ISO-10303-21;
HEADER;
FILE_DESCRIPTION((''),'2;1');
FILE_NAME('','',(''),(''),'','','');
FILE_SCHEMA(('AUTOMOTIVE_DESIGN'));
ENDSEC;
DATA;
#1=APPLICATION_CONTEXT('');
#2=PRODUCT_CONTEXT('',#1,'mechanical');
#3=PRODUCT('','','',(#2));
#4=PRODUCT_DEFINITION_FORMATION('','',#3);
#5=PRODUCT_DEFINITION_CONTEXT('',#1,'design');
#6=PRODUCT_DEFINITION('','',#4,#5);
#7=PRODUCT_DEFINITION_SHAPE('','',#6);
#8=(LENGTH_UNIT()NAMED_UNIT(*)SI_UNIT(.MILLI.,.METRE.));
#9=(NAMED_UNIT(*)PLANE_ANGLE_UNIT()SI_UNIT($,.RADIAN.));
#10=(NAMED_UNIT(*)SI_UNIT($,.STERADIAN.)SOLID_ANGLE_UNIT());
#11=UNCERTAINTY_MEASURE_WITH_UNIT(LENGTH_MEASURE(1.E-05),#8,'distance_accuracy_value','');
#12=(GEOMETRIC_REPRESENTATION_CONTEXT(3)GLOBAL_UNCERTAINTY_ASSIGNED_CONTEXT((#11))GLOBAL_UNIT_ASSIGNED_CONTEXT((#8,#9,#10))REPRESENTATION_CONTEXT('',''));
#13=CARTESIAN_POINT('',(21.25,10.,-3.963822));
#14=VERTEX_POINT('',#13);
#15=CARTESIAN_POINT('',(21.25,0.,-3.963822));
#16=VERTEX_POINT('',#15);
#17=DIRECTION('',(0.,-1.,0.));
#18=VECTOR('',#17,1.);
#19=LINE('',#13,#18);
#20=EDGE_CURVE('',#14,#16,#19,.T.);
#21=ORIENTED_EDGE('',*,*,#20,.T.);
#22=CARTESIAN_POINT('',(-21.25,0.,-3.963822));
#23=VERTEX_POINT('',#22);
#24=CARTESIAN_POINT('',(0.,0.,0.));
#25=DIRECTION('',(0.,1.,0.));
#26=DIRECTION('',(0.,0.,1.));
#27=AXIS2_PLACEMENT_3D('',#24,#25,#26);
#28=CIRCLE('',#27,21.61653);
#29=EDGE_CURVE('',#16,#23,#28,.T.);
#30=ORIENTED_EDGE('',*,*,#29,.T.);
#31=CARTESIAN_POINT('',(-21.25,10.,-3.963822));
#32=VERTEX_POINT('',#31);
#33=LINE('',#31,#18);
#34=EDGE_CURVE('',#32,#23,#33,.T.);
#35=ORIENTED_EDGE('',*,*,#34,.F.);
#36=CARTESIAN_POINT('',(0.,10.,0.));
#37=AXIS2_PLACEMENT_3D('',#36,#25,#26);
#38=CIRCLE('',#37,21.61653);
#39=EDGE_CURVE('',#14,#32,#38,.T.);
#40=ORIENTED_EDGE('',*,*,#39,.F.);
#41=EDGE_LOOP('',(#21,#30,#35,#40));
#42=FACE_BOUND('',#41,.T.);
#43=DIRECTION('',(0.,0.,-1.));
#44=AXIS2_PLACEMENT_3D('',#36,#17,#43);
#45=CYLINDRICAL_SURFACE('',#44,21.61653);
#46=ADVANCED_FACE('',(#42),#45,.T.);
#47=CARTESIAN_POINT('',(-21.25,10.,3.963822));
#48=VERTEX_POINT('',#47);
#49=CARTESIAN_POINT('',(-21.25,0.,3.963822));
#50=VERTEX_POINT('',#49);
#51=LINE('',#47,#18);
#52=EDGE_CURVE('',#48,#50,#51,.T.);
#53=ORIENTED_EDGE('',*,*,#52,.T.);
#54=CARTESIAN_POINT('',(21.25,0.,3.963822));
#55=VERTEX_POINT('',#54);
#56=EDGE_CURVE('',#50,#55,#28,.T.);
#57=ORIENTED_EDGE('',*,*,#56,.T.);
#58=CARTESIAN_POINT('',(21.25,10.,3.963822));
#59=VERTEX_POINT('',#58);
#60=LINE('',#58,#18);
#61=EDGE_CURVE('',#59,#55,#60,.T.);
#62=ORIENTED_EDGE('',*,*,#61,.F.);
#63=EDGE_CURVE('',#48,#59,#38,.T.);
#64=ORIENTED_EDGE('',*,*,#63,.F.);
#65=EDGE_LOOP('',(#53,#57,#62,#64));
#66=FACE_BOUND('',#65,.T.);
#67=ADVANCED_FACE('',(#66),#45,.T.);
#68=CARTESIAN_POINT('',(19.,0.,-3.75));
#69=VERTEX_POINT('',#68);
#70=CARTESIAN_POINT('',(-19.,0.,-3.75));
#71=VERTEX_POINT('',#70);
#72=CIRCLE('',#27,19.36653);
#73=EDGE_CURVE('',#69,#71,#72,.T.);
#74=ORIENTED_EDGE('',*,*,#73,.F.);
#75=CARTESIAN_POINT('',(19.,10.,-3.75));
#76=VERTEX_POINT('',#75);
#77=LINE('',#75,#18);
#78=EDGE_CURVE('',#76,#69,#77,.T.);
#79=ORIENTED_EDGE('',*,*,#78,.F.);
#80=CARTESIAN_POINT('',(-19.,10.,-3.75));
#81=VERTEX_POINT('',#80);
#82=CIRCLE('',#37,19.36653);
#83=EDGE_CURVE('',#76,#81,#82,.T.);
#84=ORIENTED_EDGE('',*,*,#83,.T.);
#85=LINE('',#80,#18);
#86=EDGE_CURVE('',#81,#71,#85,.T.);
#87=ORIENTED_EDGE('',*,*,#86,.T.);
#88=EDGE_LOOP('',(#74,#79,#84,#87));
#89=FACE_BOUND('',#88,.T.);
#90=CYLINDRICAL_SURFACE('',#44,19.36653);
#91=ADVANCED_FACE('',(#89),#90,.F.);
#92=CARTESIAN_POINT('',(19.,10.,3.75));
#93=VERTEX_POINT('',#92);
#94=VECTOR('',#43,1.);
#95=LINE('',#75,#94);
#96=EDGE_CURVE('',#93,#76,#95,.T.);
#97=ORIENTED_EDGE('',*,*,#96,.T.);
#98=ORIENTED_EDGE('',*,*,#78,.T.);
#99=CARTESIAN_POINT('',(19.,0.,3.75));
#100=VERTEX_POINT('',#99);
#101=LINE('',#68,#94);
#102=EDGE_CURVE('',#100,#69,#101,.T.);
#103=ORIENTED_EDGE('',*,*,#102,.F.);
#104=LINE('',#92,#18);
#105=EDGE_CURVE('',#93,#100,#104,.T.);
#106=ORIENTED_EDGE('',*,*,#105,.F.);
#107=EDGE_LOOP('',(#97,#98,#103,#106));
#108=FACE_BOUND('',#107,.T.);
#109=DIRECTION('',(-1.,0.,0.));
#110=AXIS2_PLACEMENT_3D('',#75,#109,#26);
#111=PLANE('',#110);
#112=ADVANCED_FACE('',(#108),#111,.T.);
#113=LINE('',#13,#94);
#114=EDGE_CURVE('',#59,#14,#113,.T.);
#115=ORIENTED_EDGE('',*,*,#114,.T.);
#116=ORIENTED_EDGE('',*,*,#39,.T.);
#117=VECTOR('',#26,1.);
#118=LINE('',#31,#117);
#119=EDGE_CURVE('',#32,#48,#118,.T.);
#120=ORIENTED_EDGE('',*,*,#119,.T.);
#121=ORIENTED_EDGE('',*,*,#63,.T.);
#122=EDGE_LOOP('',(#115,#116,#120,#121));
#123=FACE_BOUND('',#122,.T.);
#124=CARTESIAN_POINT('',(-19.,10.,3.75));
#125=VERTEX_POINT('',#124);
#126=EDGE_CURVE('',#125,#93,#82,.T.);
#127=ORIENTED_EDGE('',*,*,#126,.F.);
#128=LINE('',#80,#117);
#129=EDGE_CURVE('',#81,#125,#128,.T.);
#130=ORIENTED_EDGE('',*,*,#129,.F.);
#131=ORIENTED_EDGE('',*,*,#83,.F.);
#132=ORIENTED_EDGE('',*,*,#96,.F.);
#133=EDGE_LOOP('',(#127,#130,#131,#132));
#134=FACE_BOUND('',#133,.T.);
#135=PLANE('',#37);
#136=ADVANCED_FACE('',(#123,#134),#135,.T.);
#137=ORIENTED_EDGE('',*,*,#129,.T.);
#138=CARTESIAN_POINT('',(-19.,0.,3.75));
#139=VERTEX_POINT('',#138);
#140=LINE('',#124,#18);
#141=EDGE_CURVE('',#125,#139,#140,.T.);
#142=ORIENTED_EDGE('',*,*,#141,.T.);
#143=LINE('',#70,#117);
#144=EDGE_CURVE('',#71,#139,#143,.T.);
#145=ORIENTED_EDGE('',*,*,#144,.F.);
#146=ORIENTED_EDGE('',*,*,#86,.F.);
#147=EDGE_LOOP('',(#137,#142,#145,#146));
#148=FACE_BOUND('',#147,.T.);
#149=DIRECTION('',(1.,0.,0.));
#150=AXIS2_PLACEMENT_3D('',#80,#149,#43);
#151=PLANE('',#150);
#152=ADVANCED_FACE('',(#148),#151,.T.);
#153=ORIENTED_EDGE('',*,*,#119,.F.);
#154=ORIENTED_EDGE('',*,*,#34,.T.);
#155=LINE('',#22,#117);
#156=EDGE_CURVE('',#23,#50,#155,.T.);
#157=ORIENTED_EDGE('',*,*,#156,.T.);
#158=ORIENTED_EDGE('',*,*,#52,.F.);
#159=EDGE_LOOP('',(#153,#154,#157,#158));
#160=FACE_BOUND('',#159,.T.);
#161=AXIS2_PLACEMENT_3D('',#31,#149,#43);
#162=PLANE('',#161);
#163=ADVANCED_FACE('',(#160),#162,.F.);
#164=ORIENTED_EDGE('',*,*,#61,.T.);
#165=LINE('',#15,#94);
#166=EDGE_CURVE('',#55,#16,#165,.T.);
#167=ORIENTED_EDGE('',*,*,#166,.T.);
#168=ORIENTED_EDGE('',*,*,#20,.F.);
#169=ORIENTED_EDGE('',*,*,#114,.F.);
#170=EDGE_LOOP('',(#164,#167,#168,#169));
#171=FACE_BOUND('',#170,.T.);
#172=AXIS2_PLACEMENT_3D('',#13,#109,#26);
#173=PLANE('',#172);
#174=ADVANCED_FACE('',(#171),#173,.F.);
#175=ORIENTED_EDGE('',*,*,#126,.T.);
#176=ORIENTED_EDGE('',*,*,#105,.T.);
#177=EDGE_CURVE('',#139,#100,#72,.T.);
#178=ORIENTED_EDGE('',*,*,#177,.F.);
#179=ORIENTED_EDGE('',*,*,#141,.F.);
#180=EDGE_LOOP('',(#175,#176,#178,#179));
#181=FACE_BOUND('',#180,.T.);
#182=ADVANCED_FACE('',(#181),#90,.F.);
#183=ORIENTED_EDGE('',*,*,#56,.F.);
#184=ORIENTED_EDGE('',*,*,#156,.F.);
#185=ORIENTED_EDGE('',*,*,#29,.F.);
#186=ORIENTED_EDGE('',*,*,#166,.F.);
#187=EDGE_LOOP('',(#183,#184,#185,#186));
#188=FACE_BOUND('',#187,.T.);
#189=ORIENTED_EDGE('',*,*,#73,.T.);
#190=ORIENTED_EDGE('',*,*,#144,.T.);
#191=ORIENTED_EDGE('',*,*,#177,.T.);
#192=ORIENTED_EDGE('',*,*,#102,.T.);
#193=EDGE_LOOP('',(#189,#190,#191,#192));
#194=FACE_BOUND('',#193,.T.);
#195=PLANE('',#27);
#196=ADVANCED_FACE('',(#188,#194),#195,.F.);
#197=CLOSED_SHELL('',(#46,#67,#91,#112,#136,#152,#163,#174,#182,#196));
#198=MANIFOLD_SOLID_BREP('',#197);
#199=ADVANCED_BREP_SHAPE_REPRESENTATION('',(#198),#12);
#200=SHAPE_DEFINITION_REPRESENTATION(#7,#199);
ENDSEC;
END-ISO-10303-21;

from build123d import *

# Parameters (mm, degrees)
BOSS_EXTRUDE1_DEPTH = 10


with BuildPart() as part:
    # Sketch1 → Boss-Extrude1 (new body)
    with BuildSketch(Plane(origin=(0, 0, 0), x_dir=(1, 0, 0), z_dir=(0, 1, 0))):
        with BuildLine():
            Line((-21.25, 3.96382225), (-21.25, -3.96382225))
            ThreePointArc((-21.25, -3.96382225), (0, -21.616530407), (21.25, -3.96382225))
            Line((21.25, -3.96382225), (21.25, 3.96382225))
            ThreePointArc((21.25, 3.96382225), (0, 21.616530407), (-21.25, 3.96382225))
        make_face()
        with BuildLine():
            Line((19, 3.75), (19, -3.75))
            ThreePointArc((19, -3.75), (0, -19.366530407), (-19, -3.75))
            Line((-19, -3.75), (-19, 3.75))
            ThreePointArc((-19, 3.75), (0, 19.366530407), (19, 3.75))
        make_face(mode=Mode.SUBTRACT)
    extrude(amount=BOSS_EXTRUDE1_DEPTH)


solid = part.part
